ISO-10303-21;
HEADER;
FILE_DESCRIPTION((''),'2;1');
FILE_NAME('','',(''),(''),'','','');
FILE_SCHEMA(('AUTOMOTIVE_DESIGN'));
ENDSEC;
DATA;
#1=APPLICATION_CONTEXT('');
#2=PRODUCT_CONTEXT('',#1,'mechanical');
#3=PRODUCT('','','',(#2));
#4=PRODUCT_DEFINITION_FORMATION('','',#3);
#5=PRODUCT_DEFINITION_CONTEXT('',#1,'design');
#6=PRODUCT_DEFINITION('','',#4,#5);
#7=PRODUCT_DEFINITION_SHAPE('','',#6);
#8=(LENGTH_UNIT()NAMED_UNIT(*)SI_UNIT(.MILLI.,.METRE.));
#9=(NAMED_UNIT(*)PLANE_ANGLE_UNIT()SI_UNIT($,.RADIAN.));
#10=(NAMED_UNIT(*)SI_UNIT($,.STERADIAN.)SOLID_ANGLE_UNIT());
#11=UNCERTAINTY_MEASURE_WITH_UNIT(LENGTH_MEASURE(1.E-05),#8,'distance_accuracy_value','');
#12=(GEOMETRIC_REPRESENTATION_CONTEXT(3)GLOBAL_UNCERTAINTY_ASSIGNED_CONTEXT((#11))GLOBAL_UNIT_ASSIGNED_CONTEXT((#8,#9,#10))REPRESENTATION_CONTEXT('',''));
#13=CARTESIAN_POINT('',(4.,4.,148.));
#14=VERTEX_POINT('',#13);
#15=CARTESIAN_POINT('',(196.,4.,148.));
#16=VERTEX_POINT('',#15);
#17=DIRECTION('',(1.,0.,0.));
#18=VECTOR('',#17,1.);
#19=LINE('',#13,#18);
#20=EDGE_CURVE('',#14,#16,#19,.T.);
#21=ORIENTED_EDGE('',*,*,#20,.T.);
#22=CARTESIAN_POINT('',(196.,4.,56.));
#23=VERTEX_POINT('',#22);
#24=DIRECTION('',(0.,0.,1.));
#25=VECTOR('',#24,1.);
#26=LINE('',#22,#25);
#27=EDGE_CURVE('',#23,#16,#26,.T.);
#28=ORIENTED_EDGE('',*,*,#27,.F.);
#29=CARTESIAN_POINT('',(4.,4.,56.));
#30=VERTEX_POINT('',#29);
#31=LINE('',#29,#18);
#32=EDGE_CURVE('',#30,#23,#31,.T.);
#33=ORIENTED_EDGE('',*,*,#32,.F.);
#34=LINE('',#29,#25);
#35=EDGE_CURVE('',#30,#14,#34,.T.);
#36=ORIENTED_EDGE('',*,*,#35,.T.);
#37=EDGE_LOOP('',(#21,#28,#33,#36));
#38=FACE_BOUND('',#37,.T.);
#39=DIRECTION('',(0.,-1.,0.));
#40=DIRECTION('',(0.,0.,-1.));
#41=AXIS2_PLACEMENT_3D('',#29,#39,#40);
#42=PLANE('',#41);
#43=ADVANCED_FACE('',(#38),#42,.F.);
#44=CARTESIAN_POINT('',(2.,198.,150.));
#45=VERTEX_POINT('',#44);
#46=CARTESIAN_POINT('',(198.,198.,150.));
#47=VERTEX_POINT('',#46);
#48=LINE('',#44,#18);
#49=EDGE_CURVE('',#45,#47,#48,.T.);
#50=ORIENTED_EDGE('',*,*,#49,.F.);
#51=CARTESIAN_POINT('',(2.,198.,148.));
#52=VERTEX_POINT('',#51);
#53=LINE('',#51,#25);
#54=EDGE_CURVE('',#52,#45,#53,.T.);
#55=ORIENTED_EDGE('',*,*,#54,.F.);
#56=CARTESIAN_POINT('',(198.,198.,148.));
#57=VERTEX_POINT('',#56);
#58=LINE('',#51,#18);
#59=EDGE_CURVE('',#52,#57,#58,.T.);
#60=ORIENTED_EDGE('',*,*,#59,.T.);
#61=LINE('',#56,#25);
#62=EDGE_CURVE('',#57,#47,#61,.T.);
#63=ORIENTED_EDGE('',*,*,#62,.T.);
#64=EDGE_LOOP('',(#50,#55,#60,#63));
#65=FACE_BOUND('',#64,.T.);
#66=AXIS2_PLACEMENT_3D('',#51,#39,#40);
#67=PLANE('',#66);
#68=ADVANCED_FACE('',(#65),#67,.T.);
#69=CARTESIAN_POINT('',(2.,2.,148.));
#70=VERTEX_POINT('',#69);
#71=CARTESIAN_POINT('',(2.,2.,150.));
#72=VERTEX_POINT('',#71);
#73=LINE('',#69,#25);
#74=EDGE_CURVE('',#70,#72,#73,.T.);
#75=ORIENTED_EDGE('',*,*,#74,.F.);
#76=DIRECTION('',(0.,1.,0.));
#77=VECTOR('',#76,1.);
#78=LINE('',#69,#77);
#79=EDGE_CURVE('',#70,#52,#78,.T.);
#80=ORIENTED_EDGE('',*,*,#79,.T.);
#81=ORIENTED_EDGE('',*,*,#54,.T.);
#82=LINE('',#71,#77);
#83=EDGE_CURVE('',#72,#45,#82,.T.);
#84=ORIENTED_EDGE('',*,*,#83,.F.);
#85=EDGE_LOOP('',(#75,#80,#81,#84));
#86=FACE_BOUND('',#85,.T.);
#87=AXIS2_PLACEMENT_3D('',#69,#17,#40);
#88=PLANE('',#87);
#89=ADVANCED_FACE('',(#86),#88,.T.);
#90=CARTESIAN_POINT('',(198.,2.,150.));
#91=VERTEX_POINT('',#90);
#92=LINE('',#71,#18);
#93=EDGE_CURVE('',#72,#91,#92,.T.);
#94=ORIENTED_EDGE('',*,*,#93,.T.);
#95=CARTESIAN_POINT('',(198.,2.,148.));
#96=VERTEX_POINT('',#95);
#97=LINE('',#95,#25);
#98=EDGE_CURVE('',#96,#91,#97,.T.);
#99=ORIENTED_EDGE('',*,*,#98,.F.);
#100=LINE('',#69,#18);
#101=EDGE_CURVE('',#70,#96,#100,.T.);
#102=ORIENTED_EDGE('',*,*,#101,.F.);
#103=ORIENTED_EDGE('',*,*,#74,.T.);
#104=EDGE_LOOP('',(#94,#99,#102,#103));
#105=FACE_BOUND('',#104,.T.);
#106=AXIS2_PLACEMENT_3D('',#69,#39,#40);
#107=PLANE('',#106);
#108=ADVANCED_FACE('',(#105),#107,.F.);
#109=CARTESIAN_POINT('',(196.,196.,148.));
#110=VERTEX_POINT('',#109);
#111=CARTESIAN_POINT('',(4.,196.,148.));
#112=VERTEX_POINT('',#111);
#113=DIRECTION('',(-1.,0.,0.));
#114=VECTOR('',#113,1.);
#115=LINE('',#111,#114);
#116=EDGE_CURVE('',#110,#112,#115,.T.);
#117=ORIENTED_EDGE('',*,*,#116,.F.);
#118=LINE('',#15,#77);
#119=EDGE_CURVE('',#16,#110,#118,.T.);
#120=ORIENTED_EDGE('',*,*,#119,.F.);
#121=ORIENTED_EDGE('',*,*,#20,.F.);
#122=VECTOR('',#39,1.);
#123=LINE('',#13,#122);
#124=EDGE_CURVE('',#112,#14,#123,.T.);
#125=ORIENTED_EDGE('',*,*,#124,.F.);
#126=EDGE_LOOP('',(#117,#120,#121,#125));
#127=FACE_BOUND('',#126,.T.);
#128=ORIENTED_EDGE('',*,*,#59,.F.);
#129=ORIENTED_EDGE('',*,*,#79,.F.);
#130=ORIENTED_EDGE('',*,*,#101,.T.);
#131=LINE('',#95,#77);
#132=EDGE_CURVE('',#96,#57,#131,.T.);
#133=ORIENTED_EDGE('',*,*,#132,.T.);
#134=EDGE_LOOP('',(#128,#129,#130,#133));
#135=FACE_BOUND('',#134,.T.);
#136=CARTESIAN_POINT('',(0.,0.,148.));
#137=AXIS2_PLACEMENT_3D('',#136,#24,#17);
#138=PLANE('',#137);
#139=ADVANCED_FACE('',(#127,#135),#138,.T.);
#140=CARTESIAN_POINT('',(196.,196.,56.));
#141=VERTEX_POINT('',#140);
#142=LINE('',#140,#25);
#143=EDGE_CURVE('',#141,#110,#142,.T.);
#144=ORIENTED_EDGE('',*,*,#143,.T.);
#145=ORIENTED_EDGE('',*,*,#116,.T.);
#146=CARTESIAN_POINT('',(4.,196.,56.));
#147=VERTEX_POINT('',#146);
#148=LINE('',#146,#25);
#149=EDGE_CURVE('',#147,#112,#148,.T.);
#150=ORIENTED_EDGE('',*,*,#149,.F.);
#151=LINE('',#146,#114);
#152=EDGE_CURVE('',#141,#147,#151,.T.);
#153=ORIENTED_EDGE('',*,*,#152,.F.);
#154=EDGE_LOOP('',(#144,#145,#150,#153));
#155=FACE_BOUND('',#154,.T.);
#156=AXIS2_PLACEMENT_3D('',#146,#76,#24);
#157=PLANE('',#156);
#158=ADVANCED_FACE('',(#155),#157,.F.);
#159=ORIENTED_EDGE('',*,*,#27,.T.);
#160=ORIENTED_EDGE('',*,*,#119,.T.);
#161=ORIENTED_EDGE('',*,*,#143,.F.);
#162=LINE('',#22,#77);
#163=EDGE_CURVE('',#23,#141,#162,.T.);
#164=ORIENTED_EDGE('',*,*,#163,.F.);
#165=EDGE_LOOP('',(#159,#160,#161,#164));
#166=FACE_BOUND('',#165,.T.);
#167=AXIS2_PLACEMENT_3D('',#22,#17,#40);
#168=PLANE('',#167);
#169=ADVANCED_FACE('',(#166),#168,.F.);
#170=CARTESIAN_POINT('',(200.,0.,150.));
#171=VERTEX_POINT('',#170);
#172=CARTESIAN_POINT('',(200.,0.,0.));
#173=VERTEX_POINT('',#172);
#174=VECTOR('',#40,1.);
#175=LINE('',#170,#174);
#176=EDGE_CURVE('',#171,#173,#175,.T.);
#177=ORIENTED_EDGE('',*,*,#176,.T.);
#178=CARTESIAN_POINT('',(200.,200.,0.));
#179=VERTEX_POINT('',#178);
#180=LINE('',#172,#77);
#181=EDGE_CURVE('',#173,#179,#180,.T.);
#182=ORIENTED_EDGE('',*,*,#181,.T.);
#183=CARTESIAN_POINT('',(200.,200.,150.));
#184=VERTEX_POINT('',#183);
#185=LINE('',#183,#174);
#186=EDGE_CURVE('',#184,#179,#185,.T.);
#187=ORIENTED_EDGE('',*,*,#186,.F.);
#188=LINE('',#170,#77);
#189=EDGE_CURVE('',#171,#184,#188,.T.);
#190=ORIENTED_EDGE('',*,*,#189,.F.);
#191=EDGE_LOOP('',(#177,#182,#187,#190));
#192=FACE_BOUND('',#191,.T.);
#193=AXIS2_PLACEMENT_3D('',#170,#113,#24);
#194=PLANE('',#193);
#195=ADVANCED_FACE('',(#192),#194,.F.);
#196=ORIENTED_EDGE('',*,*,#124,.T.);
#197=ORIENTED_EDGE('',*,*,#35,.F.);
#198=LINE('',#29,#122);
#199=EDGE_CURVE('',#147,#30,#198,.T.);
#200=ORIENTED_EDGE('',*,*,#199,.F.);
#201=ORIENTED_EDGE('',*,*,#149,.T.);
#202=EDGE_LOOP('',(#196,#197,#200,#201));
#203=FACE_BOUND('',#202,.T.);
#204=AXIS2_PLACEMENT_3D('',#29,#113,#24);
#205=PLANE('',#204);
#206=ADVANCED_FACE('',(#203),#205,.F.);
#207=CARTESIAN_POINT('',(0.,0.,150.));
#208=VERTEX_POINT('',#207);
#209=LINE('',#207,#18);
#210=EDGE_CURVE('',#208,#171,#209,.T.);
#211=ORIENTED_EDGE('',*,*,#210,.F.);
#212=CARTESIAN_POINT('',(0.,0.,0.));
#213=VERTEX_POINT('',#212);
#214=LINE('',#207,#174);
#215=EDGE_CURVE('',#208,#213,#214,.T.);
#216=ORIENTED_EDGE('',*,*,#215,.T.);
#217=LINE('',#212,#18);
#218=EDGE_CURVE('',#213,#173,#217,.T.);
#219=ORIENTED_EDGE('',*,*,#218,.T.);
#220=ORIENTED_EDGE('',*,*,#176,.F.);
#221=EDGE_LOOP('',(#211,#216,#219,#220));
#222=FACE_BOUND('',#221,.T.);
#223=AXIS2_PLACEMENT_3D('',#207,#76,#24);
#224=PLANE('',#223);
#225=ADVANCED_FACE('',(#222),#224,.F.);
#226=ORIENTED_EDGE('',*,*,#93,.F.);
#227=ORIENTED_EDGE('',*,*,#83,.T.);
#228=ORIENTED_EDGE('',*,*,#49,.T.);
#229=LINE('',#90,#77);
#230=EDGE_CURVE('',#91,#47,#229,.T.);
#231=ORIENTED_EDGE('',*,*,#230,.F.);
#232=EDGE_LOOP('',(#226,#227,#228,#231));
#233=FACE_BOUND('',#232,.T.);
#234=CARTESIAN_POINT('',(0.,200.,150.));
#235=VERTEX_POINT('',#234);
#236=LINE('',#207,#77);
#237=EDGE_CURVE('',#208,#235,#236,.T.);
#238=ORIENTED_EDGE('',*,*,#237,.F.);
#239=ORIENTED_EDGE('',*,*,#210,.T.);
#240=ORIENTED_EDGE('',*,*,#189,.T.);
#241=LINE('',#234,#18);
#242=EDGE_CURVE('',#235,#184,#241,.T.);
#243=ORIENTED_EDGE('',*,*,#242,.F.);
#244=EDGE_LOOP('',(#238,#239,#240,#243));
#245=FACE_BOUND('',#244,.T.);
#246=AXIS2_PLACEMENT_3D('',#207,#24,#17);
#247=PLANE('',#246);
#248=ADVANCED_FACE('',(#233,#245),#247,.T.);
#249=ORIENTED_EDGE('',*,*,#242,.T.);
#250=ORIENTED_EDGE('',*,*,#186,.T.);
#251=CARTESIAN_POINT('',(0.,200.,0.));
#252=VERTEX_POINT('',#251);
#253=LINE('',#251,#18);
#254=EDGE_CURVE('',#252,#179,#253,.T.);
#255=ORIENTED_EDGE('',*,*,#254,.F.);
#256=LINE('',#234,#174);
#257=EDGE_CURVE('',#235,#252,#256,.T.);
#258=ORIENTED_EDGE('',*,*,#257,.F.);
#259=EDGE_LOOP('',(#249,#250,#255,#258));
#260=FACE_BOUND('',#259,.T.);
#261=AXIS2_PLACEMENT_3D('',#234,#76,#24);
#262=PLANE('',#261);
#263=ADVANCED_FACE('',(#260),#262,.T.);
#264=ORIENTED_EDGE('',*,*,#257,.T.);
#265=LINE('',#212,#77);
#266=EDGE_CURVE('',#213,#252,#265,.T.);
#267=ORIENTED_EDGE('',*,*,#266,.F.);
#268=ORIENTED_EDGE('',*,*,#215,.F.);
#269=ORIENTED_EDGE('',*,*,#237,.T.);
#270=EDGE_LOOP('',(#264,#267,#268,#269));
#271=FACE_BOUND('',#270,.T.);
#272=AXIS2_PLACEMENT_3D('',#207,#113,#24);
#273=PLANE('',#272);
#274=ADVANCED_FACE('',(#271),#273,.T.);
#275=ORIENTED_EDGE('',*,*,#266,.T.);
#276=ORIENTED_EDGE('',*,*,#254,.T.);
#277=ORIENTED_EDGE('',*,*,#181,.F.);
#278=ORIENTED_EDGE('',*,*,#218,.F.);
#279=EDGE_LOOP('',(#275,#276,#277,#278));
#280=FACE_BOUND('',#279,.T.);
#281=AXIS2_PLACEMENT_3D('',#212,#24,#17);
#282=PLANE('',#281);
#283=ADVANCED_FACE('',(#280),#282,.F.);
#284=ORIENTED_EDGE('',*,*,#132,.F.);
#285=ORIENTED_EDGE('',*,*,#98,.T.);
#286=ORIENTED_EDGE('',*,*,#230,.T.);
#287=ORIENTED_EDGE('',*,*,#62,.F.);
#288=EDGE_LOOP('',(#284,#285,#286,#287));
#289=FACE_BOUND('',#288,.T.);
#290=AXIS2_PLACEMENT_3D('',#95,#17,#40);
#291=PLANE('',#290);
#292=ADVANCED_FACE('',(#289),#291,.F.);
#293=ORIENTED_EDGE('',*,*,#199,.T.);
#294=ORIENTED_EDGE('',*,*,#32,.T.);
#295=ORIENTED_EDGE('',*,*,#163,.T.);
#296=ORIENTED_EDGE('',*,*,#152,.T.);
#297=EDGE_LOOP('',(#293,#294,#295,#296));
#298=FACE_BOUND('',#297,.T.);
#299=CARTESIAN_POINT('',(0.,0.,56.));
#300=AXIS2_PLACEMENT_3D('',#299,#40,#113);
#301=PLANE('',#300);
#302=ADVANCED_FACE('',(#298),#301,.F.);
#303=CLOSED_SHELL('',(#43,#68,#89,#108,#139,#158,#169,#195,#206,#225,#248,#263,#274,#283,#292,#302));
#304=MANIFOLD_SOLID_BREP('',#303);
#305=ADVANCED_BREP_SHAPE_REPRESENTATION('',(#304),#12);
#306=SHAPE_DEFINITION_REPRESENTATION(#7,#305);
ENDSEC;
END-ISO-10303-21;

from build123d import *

# Parameters (mm, degrees)
SKETCH4_W           = 200
SKETCH4_H           = 200
BOSS_EXTRUDE1_DEPTH = 150
SKETCH6_W           = 196
SKETCH6_H           = 196
CUT_EXTRUDE1_DEPTH  = 2
SKETCH7_W           = 192
SKETCH7_H           = 192
CUT_EXTRUDE2_DEPTH  = 92


with BuildPart() as part:
    # Sketch4 → Boss-Extrude1 (new body)
    with BuildSketch(Plane.XY):
        with Locations((100, 100)):
            Rectangle(SKETCH4_W, SKETCH4_H)
    extrude(amount=BOSS_EXTRUDE1_DEPTH)

    # Sketch6 → Cut-Extrude1 (cut)
    with BuildSketch(Plane.XY.offset(150)):
        with Locations((100, 100)):
            Rectangle(SKETCH6_W, SKETCH6_H)
    extrude(amount=-CUT_EXTRUDE1_DEPTH, mode=Mode.SUBTRACT)

    # Sketch7 → Cut-Extrude2 (cut)
    with BuildSketch(Plane.XY.offset(148)):
        with Locations((100, 100)):
            Rectangle(SKETCH7_W, SKETCH7_H)
    extrude(amount=-CUT_EXTRUDE2_DEPTH, mode=Mode.SUBTRACT)


solid = part.part
